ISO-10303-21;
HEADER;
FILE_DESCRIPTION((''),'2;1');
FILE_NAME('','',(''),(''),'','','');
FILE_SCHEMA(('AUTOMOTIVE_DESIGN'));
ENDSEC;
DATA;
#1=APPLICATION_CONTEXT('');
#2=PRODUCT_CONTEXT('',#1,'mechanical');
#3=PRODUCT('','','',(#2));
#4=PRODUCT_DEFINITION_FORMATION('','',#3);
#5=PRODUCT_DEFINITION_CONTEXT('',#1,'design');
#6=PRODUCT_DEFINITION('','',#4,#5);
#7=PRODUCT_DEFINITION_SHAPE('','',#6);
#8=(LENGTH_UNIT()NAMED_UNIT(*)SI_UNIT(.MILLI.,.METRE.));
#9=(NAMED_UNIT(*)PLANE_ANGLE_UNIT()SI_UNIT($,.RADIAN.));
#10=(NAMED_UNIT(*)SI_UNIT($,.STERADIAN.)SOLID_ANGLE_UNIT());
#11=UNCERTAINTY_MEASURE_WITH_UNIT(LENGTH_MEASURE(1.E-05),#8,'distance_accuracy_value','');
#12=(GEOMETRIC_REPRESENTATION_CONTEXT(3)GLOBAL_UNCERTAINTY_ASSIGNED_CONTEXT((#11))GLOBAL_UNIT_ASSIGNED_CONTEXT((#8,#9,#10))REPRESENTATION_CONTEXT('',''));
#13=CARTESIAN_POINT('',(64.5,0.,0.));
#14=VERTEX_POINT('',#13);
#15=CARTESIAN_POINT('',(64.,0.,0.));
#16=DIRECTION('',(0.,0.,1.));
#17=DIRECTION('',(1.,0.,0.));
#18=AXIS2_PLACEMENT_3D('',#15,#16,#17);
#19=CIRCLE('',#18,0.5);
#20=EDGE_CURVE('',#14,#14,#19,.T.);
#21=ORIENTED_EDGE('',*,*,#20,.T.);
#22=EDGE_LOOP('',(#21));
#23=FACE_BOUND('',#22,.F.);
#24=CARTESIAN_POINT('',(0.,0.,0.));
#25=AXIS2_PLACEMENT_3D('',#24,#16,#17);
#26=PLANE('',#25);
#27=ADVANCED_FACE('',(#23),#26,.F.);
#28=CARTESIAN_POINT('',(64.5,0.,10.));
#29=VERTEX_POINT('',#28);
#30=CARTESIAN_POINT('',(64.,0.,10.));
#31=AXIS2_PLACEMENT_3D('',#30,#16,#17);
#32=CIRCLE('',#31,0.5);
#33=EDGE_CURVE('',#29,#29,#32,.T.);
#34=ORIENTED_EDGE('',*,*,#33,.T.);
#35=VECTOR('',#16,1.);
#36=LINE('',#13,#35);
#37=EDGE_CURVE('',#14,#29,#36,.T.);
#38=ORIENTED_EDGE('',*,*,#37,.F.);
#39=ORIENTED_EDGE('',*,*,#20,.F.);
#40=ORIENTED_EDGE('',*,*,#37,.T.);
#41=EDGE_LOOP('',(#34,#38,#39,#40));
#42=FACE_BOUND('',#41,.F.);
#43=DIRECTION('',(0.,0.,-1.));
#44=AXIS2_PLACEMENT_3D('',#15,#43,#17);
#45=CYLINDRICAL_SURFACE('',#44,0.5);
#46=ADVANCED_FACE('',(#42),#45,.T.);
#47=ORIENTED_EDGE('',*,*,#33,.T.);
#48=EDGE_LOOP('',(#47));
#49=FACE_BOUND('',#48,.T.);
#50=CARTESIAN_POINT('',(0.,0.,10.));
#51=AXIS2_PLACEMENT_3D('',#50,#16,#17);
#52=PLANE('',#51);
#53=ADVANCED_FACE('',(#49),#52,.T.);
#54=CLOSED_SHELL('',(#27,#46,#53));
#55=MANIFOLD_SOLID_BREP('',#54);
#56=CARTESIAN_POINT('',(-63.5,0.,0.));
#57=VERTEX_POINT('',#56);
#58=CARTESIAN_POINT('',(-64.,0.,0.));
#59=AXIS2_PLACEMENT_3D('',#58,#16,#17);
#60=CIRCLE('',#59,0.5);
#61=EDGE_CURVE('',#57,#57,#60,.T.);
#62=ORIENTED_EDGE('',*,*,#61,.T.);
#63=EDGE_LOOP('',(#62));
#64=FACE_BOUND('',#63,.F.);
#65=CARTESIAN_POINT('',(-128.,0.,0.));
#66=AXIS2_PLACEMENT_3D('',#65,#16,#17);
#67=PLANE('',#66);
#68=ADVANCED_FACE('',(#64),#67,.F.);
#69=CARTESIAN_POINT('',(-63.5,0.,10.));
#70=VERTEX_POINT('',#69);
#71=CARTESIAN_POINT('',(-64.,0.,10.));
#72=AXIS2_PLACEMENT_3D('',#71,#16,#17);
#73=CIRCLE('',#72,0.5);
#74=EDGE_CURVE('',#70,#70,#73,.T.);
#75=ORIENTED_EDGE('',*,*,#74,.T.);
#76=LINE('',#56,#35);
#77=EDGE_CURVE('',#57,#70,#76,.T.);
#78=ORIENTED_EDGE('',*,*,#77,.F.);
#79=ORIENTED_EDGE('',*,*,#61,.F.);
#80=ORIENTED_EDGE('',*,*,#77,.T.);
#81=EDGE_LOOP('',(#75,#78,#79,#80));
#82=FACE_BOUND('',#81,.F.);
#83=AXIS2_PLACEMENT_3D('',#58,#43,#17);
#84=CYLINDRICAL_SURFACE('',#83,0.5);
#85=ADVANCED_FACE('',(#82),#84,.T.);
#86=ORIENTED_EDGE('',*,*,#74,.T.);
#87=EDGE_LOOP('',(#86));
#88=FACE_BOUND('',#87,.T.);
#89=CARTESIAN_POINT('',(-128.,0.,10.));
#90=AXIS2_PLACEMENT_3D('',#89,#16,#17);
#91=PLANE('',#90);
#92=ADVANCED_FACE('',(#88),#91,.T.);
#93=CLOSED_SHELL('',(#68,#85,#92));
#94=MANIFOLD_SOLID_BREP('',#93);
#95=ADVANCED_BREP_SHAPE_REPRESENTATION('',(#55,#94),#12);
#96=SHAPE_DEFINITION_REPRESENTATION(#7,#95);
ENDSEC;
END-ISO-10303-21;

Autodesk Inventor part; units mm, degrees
ref_plane "YZ Plane" through (0, 0, 0) normal (1, 0, 0) x (0, 1, 0)
ref_plane "XZ Plane" through (0, 0, 0) normal (0, 1, 0) x (-1, 0, 0)
ref_plane "XY Plane" through (0, 0, 0) normal (0, 0, 1) x (1, 0, 0)
sketch "Sketch1" plane through (0, 0, 0) normal (0, 0, 1) x (1, 0, 0)
  line L0 (-132, -9) -> (132, -9)
  line L1 (132, -9) -> (132, 9)
  line L2 (132, 9) -> (-132, 9)
  line L3 (-132, 9) -> (-132, -9)
  line L4 (-132, -9) -> (132, 9) construction
  line L5 (132, -9) -> (-132, 9) construction
  point P0 (0, 0)
  dimension "d0" = 264
  dimension "d1" = 18
sketch "Sketch2" plane through (0, 0, 0) normal (0, 0, 1) x (1, 0, 0)
  circle A0 centre (64, 0) radius 0.5
  line L0 (132, 9) -> (-132, 9) projected
  line L1 (-132, -9) -> (132, -9) projected
  line L2 (0, -12.6) -> (0, 12.6) projected
  line L3 (132, -9) -> (132, 9) projected
  point P0 (0, 0)
  point P1 (132, 0)
  dimension "d4" = 1
  dimension "d26" = 68
extrude "Extrusion1" add sketch "Sketch2" along normal blind 10 contours A0
pattern_linear "Confirmat Array" count 2 spacing 128 along (-1, 0, 0) of "Extrusion1"
equation "\"d26\" = X_Coord"
equation "\"d9\" = Step"
equation "\"d0\" = ContactPatchWidth"
equation "\"d1\" = ContactPatchHeight"
equation "\"ContactPatchWidth\" = 264"
equation "\"ContactPatchHeight\" = 18"
equation "\"PlacingStep\" = 32"
equation "\"PlacingWidth\" = -MinDistFromSide1 + ContactPatchWidth - MinDistFromSide2"
equation "\"PlacingWithByStep\" = 128"
equation "\"X_Coord\" = 68"
equation "\"Step\" = 128"
equation "\"Y_Coord\" = 9.5"
equation "\"CenterX_Coord\" = MinDistFromSide1 + 0.5 * PlacingWidth"
equation "\"MaxDistBetweenByStep\" = 192"
equation "\"DistBetween\" = 144"
equation "\"MinDistFromSide1\" = 60"
equation "\"MinDistFromSide2\" = 60"
properties part number "Confirmat Joint1300"
